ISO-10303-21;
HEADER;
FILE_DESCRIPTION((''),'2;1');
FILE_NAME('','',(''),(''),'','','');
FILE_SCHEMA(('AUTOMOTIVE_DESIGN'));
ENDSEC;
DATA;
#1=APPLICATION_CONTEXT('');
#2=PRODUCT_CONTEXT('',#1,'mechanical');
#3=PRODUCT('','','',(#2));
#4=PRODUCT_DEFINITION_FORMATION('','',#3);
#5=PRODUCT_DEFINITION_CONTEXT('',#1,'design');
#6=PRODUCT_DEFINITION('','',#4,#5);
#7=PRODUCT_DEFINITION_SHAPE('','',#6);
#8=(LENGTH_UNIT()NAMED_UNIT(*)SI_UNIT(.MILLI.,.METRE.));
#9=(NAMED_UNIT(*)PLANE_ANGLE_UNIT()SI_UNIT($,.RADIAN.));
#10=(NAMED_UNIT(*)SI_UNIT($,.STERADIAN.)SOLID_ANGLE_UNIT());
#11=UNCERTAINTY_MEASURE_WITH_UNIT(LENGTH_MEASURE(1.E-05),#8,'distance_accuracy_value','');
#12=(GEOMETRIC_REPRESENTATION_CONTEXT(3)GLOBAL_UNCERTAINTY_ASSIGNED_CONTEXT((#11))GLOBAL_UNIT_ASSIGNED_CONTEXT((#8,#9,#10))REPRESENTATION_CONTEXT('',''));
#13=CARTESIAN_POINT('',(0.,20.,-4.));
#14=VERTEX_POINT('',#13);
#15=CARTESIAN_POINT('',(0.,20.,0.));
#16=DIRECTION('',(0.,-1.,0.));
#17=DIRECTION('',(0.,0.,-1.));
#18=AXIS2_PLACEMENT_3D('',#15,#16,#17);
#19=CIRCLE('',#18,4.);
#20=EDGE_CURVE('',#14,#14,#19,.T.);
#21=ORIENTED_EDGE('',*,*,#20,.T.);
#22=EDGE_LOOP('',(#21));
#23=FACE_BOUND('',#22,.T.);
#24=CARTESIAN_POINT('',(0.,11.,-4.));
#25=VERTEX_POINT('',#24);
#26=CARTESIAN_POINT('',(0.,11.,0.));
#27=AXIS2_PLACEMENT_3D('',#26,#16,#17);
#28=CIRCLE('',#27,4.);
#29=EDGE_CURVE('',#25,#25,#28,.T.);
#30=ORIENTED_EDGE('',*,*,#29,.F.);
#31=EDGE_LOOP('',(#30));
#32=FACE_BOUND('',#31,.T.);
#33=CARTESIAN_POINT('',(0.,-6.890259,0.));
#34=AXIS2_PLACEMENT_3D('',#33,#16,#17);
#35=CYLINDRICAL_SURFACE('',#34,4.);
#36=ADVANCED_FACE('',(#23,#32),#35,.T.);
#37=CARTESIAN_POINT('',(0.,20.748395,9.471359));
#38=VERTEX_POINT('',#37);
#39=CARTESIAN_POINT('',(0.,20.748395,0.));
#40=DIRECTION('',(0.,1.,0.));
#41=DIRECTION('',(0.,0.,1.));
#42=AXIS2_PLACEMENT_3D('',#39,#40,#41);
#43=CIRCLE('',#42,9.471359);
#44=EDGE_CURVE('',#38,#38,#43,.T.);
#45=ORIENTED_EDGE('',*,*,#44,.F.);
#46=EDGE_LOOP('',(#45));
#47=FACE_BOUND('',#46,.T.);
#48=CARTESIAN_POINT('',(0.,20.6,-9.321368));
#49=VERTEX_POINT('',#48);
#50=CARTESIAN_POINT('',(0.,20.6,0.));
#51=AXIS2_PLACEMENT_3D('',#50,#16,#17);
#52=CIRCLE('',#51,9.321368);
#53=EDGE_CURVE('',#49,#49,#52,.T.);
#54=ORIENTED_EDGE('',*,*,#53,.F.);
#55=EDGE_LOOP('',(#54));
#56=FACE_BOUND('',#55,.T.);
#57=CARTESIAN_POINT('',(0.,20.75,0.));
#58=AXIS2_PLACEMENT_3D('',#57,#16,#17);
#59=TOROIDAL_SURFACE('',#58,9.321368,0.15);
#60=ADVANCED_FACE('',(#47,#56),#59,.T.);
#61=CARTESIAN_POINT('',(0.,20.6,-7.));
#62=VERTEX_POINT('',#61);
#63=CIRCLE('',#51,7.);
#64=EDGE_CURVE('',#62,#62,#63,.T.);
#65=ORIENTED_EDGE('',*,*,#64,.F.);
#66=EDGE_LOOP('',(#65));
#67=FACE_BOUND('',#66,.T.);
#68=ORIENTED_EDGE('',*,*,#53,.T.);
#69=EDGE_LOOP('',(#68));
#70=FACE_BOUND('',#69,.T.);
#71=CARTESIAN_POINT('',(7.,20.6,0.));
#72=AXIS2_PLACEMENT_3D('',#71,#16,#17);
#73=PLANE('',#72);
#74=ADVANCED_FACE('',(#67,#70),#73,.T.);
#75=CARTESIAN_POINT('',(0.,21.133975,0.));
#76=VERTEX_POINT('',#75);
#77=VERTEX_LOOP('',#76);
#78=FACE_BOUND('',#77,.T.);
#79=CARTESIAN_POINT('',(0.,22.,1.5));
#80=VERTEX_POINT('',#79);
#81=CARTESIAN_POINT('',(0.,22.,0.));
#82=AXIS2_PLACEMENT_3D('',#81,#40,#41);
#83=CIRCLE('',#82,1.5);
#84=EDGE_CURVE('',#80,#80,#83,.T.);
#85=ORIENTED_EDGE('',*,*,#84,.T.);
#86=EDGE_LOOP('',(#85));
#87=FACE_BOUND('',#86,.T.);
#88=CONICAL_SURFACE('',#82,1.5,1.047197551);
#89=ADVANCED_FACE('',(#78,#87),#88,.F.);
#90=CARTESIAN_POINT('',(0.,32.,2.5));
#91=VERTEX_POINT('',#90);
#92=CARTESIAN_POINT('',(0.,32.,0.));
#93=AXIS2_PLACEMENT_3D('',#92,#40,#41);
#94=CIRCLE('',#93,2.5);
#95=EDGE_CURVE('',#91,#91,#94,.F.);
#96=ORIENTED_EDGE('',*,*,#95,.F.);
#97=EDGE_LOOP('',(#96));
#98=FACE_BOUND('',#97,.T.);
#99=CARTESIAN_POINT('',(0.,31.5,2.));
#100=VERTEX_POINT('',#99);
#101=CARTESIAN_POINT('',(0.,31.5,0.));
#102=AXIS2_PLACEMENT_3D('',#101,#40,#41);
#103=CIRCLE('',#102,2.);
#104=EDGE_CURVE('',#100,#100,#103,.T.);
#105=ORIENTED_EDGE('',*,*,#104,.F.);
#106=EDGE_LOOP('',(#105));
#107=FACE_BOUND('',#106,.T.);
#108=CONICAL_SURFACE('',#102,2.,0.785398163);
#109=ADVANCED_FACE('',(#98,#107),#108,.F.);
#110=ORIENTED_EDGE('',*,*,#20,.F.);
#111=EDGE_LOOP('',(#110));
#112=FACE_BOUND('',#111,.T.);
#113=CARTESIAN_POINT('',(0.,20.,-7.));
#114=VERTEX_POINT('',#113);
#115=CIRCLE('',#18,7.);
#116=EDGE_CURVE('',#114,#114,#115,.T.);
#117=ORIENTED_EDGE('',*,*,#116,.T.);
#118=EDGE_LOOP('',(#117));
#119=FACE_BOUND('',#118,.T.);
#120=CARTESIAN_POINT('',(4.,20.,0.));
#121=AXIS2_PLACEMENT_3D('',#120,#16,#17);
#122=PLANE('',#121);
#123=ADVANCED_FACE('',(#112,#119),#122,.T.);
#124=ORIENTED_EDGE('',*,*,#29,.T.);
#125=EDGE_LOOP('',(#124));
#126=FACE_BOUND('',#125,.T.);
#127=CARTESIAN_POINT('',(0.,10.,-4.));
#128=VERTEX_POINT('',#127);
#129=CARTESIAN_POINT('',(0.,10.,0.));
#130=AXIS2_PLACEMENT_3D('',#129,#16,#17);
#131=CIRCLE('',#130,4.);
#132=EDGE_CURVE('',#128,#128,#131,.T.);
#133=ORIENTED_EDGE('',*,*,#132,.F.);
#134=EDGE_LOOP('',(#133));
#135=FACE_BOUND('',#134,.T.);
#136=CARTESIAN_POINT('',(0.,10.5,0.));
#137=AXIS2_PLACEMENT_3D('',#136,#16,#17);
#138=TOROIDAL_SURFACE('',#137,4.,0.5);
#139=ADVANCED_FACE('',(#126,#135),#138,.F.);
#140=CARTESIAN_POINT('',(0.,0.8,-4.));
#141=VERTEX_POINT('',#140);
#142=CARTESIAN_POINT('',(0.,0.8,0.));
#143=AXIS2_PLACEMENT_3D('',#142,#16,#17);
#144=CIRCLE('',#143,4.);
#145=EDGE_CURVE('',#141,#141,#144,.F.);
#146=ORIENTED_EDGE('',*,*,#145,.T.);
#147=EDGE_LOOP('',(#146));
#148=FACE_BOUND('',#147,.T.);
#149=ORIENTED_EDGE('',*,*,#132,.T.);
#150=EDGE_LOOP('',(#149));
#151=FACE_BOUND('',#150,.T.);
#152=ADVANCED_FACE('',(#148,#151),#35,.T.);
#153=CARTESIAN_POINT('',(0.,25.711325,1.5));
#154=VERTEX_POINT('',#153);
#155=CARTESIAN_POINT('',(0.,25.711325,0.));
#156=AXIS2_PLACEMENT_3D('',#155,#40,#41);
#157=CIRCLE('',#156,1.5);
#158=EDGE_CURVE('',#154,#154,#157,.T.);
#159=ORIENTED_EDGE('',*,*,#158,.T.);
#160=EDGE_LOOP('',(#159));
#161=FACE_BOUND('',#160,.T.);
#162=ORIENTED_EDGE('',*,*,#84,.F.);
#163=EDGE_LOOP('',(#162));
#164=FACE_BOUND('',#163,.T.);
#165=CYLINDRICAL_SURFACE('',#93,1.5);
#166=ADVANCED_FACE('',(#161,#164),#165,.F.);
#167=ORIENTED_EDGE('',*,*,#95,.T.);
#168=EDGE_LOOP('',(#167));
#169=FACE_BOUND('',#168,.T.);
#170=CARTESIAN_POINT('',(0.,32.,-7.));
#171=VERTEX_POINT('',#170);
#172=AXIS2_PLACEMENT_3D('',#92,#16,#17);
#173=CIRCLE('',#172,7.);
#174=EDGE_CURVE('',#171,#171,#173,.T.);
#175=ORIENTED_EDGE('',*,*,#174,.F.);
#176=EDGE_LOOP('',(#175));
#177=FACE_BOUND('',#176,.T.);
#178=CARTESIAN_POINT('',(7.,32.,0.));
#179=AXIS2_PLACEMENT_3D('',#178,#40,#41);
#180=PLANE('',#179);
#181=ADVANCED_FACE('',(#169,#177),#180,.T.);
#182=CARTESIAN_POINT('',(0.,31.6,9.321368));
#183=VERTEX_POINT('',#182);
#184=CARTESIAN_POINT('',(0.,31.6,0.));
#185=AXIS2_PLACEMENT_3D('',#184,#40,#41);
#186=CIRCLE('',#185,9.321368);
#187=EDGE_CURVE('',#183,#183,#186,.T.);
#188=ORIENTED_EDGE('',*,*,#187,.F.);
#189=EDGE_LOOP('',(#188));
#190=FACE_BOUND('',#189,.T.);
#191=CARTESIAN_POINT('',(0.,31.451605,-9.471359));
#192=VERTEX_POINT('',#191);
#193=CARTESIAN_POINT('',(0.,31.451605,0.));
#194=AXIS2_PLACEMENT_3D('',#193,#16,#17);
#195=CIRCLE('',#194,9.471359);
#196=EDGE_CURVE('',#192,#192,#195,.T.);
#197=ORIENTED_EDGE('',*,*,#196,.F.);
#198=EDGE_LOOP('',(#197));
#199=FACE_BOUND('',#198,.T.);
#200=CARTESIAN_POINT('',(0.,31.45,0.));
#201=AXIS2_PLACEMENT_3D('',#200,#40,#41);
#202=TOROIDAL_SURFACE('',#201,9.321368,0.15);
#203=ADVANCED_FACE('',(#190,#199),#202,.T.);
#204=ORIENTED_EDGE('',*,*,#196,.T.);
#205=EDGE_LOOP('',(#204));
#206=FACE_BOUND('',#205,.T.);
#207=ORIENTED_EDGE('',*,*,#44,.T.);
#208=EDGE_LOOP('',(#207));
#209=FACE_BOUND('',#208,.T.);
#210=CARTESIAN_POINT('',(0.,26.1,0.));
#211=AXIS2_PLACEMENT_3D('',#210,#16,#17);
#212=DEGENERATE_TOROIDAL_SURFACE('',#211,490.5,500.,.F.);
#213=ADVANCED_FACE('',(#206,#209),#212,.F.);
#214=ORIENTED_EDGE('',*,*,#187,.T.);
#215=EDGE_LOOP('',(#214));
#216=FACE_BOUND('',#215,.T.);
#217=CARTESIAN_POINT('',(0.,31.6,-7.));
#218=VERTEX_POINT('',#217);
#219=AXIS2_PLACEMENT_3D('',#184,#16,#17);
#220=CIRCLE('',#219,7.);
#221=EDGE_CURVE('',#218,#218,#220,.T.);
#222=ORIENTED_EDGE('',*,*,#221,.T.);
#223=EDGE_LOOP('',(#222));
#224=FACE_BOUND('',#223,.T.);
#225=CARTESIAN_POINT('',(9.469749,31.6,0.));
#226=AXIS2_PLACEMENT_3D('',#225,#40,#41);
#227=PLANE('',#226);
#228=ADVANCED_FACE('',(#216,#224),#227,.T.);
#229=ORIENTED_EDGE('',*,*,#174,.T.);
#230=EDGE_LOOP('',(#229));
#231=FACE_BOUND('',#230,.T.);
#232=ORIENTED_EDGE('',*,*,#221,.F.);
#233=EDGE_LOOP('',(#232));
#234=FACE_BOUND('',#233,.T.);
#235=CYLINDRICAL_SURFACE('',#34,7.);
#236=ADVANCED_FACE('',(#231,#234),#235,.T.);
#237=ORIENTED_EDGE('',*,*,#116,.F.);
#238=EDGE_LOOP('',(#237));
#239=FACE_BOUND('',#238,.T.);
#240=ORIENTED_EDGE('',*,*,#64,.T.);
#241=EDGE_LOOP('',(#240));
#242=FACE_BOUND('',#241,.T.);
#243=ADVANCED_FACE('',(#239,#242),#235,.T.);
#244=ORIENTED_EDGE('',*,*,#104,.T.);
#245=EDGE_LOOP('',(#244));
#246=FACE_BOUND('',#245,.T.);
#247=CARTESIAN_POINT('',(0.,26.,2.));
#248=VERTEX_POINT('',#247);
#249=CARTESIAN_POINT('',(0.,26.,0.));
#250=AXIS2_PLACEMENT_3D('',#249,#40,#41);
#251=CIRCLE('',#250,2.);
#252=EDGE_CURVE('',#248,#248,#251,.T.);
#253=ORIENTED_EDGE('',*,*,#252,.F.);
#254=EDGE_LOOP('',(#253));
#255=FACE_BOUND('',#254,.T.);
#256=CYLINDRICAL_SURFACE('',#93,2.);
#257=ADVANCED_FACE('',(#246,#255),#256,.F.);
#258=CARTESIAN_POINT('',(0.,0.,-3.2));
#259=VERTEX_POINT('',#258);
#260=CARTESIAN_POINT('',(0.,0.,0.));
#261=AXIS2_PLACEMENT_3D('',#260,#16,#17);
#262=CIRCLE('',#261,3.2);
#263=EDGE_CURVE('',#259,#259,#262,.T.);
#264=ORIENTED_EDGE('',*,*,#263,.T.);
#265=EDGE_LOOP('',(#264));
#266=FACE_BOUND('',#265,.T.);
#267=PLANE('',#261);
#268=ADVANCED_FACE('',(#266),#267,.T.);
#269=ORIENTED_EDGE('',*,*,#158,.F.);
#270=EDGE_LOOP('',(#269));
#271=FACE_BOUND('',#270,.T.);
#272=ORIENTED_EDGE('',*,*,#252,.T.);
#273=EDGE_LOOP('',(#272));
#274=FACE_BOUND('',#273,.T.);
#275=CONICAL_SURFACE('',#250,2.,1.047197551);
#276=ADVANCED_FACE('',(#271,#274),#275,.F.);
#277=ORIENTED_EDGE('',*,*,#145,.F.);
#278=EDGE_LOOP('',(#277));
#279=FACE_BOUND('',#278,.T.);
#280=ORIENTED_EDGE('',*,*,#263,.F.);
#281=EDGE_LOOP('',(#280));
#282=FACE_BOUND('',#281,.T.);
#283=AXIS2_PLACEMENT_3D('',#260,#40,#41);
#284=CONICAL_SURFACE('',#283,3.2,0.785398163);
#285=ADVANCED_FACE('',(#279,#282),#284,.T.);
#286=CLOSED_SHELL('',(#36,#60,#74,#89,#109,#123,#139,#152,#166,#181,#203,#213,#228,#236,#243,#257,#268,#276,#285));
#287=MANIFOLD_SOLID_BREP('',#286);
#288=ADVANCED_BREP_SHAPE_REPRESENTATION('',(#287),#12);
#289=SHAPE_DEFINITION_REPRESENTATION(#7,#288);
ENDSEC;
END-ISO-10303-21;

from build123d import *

# Parameters (mm, degrees)
CHANFREIN1_SIZE = 0.8
PER_AGE1_D      = 3
PER_AGE1_DEPTH  = 10
PER_AGE1_TIP    = 0.866025404
PER_AGE2_D      = 4
PER_AGE2_DEPTH  = 6
PER_AGE2_TIP    = 1.154700538
CONG_1_R        = 0.15
CHANFREIN2_SIZE = 0.5


with BuildPart() as part:
    # Esquisse1 → Base-Révolution (revolve)
    with BuildSketch(Plane.XY, mode=Mode.PRIVATE) as base_r_volution_sk:
        with BuildLine():
            Line((0, 0), (4, 0))
            Line((4, 0), (4, 10))
            ThreePointArc((4, 10), (3.5, 10.5), (4, 11))
            Line((4, 11), (4, 20))
            Line((4, 20), (7, 20))
            Line((7, 20), (7, 20.6))
            Line((7, 20.6), (9.469749085, 20.6))
            ThreePointArc((9.469749085, 20.6), (9.5, 26.1), (9.469749085, 31.6))
            Line((9.469749085, 31.6), (7, 31.6))
            Line((7, 31.6), (7, 32))
            Line((7, 32), (0, 32))
            Line((0, 32), (0, 0))
        make_face()
    revolve(base_r_volution_sk.sketch.rotate(Axis((0, -6.89025894, 0), (0, 1, 0)), 90), axis=Axis((0, -6.89025894, 0), (0, 1, 0)))

    # Chanfrein1
    chanfrein1_edges = [part.edges().sort_by_distance(p)[0] for p in [
        (0, 0, 4),
    ]]
    chamfer(chanfrein1_edges, length=CHANFREIN1_SIZE)

    # Perçage1
    with Locations(Plane(origin=(0, 32, 0), x_dir=(-1, 0, 0), z_dir=(0, 1, 0))):
        with Locations((0, 0)):
            Hole(PER_AGE1_D / 2, depth=PER_AGE1_DEPTH)
            with Locations((0, 0, -(PER_AGE1_DEPTH + PER_AGE1_TIP / 2))):  # 120° drill point
                Cone(0, PER_AGE1_D / 2, PER_AGE1_TIP, mode=Mode.SUBTRACT)

    # Perçage2
    with Locations(Plane(origin=(0, 32, 0), x_dir=(-1, 0, 0), z_dir=(0, 1, 0))):
        with Locations((0, 0)):
            Hole(PER_AGE2_D / 2, depth=PER_AGE2_DEPTH)
            with Locations((0, 0, -(PER_AGE2_DEPTH + PER_AGE2_TIP / 2))):  # 120° drill point
                Cone(0, PER_AGE2_D / 2, PER_AGE2_TIP, mode=Mode.SUBTRACT)

    # Congé1
    cong_1_edges = [part.edges().sort_by_distance(p)[0] for p in [
        (0, 20.6, 9.469749085),
        (0, 31.6, 9.469749085),
    ]]
    fillet(cong_1_edges, radius=CONG_1_R)

    # Chanfrein2
    chanfrein2_edges = [part.edges().sort_by_distance(p)[0] for p in [
        (-2, 32, 0),
    ]]
    chamfer(chanfrein2_edges, length=CHANFREIN2_SIZE)


solid = part.part
